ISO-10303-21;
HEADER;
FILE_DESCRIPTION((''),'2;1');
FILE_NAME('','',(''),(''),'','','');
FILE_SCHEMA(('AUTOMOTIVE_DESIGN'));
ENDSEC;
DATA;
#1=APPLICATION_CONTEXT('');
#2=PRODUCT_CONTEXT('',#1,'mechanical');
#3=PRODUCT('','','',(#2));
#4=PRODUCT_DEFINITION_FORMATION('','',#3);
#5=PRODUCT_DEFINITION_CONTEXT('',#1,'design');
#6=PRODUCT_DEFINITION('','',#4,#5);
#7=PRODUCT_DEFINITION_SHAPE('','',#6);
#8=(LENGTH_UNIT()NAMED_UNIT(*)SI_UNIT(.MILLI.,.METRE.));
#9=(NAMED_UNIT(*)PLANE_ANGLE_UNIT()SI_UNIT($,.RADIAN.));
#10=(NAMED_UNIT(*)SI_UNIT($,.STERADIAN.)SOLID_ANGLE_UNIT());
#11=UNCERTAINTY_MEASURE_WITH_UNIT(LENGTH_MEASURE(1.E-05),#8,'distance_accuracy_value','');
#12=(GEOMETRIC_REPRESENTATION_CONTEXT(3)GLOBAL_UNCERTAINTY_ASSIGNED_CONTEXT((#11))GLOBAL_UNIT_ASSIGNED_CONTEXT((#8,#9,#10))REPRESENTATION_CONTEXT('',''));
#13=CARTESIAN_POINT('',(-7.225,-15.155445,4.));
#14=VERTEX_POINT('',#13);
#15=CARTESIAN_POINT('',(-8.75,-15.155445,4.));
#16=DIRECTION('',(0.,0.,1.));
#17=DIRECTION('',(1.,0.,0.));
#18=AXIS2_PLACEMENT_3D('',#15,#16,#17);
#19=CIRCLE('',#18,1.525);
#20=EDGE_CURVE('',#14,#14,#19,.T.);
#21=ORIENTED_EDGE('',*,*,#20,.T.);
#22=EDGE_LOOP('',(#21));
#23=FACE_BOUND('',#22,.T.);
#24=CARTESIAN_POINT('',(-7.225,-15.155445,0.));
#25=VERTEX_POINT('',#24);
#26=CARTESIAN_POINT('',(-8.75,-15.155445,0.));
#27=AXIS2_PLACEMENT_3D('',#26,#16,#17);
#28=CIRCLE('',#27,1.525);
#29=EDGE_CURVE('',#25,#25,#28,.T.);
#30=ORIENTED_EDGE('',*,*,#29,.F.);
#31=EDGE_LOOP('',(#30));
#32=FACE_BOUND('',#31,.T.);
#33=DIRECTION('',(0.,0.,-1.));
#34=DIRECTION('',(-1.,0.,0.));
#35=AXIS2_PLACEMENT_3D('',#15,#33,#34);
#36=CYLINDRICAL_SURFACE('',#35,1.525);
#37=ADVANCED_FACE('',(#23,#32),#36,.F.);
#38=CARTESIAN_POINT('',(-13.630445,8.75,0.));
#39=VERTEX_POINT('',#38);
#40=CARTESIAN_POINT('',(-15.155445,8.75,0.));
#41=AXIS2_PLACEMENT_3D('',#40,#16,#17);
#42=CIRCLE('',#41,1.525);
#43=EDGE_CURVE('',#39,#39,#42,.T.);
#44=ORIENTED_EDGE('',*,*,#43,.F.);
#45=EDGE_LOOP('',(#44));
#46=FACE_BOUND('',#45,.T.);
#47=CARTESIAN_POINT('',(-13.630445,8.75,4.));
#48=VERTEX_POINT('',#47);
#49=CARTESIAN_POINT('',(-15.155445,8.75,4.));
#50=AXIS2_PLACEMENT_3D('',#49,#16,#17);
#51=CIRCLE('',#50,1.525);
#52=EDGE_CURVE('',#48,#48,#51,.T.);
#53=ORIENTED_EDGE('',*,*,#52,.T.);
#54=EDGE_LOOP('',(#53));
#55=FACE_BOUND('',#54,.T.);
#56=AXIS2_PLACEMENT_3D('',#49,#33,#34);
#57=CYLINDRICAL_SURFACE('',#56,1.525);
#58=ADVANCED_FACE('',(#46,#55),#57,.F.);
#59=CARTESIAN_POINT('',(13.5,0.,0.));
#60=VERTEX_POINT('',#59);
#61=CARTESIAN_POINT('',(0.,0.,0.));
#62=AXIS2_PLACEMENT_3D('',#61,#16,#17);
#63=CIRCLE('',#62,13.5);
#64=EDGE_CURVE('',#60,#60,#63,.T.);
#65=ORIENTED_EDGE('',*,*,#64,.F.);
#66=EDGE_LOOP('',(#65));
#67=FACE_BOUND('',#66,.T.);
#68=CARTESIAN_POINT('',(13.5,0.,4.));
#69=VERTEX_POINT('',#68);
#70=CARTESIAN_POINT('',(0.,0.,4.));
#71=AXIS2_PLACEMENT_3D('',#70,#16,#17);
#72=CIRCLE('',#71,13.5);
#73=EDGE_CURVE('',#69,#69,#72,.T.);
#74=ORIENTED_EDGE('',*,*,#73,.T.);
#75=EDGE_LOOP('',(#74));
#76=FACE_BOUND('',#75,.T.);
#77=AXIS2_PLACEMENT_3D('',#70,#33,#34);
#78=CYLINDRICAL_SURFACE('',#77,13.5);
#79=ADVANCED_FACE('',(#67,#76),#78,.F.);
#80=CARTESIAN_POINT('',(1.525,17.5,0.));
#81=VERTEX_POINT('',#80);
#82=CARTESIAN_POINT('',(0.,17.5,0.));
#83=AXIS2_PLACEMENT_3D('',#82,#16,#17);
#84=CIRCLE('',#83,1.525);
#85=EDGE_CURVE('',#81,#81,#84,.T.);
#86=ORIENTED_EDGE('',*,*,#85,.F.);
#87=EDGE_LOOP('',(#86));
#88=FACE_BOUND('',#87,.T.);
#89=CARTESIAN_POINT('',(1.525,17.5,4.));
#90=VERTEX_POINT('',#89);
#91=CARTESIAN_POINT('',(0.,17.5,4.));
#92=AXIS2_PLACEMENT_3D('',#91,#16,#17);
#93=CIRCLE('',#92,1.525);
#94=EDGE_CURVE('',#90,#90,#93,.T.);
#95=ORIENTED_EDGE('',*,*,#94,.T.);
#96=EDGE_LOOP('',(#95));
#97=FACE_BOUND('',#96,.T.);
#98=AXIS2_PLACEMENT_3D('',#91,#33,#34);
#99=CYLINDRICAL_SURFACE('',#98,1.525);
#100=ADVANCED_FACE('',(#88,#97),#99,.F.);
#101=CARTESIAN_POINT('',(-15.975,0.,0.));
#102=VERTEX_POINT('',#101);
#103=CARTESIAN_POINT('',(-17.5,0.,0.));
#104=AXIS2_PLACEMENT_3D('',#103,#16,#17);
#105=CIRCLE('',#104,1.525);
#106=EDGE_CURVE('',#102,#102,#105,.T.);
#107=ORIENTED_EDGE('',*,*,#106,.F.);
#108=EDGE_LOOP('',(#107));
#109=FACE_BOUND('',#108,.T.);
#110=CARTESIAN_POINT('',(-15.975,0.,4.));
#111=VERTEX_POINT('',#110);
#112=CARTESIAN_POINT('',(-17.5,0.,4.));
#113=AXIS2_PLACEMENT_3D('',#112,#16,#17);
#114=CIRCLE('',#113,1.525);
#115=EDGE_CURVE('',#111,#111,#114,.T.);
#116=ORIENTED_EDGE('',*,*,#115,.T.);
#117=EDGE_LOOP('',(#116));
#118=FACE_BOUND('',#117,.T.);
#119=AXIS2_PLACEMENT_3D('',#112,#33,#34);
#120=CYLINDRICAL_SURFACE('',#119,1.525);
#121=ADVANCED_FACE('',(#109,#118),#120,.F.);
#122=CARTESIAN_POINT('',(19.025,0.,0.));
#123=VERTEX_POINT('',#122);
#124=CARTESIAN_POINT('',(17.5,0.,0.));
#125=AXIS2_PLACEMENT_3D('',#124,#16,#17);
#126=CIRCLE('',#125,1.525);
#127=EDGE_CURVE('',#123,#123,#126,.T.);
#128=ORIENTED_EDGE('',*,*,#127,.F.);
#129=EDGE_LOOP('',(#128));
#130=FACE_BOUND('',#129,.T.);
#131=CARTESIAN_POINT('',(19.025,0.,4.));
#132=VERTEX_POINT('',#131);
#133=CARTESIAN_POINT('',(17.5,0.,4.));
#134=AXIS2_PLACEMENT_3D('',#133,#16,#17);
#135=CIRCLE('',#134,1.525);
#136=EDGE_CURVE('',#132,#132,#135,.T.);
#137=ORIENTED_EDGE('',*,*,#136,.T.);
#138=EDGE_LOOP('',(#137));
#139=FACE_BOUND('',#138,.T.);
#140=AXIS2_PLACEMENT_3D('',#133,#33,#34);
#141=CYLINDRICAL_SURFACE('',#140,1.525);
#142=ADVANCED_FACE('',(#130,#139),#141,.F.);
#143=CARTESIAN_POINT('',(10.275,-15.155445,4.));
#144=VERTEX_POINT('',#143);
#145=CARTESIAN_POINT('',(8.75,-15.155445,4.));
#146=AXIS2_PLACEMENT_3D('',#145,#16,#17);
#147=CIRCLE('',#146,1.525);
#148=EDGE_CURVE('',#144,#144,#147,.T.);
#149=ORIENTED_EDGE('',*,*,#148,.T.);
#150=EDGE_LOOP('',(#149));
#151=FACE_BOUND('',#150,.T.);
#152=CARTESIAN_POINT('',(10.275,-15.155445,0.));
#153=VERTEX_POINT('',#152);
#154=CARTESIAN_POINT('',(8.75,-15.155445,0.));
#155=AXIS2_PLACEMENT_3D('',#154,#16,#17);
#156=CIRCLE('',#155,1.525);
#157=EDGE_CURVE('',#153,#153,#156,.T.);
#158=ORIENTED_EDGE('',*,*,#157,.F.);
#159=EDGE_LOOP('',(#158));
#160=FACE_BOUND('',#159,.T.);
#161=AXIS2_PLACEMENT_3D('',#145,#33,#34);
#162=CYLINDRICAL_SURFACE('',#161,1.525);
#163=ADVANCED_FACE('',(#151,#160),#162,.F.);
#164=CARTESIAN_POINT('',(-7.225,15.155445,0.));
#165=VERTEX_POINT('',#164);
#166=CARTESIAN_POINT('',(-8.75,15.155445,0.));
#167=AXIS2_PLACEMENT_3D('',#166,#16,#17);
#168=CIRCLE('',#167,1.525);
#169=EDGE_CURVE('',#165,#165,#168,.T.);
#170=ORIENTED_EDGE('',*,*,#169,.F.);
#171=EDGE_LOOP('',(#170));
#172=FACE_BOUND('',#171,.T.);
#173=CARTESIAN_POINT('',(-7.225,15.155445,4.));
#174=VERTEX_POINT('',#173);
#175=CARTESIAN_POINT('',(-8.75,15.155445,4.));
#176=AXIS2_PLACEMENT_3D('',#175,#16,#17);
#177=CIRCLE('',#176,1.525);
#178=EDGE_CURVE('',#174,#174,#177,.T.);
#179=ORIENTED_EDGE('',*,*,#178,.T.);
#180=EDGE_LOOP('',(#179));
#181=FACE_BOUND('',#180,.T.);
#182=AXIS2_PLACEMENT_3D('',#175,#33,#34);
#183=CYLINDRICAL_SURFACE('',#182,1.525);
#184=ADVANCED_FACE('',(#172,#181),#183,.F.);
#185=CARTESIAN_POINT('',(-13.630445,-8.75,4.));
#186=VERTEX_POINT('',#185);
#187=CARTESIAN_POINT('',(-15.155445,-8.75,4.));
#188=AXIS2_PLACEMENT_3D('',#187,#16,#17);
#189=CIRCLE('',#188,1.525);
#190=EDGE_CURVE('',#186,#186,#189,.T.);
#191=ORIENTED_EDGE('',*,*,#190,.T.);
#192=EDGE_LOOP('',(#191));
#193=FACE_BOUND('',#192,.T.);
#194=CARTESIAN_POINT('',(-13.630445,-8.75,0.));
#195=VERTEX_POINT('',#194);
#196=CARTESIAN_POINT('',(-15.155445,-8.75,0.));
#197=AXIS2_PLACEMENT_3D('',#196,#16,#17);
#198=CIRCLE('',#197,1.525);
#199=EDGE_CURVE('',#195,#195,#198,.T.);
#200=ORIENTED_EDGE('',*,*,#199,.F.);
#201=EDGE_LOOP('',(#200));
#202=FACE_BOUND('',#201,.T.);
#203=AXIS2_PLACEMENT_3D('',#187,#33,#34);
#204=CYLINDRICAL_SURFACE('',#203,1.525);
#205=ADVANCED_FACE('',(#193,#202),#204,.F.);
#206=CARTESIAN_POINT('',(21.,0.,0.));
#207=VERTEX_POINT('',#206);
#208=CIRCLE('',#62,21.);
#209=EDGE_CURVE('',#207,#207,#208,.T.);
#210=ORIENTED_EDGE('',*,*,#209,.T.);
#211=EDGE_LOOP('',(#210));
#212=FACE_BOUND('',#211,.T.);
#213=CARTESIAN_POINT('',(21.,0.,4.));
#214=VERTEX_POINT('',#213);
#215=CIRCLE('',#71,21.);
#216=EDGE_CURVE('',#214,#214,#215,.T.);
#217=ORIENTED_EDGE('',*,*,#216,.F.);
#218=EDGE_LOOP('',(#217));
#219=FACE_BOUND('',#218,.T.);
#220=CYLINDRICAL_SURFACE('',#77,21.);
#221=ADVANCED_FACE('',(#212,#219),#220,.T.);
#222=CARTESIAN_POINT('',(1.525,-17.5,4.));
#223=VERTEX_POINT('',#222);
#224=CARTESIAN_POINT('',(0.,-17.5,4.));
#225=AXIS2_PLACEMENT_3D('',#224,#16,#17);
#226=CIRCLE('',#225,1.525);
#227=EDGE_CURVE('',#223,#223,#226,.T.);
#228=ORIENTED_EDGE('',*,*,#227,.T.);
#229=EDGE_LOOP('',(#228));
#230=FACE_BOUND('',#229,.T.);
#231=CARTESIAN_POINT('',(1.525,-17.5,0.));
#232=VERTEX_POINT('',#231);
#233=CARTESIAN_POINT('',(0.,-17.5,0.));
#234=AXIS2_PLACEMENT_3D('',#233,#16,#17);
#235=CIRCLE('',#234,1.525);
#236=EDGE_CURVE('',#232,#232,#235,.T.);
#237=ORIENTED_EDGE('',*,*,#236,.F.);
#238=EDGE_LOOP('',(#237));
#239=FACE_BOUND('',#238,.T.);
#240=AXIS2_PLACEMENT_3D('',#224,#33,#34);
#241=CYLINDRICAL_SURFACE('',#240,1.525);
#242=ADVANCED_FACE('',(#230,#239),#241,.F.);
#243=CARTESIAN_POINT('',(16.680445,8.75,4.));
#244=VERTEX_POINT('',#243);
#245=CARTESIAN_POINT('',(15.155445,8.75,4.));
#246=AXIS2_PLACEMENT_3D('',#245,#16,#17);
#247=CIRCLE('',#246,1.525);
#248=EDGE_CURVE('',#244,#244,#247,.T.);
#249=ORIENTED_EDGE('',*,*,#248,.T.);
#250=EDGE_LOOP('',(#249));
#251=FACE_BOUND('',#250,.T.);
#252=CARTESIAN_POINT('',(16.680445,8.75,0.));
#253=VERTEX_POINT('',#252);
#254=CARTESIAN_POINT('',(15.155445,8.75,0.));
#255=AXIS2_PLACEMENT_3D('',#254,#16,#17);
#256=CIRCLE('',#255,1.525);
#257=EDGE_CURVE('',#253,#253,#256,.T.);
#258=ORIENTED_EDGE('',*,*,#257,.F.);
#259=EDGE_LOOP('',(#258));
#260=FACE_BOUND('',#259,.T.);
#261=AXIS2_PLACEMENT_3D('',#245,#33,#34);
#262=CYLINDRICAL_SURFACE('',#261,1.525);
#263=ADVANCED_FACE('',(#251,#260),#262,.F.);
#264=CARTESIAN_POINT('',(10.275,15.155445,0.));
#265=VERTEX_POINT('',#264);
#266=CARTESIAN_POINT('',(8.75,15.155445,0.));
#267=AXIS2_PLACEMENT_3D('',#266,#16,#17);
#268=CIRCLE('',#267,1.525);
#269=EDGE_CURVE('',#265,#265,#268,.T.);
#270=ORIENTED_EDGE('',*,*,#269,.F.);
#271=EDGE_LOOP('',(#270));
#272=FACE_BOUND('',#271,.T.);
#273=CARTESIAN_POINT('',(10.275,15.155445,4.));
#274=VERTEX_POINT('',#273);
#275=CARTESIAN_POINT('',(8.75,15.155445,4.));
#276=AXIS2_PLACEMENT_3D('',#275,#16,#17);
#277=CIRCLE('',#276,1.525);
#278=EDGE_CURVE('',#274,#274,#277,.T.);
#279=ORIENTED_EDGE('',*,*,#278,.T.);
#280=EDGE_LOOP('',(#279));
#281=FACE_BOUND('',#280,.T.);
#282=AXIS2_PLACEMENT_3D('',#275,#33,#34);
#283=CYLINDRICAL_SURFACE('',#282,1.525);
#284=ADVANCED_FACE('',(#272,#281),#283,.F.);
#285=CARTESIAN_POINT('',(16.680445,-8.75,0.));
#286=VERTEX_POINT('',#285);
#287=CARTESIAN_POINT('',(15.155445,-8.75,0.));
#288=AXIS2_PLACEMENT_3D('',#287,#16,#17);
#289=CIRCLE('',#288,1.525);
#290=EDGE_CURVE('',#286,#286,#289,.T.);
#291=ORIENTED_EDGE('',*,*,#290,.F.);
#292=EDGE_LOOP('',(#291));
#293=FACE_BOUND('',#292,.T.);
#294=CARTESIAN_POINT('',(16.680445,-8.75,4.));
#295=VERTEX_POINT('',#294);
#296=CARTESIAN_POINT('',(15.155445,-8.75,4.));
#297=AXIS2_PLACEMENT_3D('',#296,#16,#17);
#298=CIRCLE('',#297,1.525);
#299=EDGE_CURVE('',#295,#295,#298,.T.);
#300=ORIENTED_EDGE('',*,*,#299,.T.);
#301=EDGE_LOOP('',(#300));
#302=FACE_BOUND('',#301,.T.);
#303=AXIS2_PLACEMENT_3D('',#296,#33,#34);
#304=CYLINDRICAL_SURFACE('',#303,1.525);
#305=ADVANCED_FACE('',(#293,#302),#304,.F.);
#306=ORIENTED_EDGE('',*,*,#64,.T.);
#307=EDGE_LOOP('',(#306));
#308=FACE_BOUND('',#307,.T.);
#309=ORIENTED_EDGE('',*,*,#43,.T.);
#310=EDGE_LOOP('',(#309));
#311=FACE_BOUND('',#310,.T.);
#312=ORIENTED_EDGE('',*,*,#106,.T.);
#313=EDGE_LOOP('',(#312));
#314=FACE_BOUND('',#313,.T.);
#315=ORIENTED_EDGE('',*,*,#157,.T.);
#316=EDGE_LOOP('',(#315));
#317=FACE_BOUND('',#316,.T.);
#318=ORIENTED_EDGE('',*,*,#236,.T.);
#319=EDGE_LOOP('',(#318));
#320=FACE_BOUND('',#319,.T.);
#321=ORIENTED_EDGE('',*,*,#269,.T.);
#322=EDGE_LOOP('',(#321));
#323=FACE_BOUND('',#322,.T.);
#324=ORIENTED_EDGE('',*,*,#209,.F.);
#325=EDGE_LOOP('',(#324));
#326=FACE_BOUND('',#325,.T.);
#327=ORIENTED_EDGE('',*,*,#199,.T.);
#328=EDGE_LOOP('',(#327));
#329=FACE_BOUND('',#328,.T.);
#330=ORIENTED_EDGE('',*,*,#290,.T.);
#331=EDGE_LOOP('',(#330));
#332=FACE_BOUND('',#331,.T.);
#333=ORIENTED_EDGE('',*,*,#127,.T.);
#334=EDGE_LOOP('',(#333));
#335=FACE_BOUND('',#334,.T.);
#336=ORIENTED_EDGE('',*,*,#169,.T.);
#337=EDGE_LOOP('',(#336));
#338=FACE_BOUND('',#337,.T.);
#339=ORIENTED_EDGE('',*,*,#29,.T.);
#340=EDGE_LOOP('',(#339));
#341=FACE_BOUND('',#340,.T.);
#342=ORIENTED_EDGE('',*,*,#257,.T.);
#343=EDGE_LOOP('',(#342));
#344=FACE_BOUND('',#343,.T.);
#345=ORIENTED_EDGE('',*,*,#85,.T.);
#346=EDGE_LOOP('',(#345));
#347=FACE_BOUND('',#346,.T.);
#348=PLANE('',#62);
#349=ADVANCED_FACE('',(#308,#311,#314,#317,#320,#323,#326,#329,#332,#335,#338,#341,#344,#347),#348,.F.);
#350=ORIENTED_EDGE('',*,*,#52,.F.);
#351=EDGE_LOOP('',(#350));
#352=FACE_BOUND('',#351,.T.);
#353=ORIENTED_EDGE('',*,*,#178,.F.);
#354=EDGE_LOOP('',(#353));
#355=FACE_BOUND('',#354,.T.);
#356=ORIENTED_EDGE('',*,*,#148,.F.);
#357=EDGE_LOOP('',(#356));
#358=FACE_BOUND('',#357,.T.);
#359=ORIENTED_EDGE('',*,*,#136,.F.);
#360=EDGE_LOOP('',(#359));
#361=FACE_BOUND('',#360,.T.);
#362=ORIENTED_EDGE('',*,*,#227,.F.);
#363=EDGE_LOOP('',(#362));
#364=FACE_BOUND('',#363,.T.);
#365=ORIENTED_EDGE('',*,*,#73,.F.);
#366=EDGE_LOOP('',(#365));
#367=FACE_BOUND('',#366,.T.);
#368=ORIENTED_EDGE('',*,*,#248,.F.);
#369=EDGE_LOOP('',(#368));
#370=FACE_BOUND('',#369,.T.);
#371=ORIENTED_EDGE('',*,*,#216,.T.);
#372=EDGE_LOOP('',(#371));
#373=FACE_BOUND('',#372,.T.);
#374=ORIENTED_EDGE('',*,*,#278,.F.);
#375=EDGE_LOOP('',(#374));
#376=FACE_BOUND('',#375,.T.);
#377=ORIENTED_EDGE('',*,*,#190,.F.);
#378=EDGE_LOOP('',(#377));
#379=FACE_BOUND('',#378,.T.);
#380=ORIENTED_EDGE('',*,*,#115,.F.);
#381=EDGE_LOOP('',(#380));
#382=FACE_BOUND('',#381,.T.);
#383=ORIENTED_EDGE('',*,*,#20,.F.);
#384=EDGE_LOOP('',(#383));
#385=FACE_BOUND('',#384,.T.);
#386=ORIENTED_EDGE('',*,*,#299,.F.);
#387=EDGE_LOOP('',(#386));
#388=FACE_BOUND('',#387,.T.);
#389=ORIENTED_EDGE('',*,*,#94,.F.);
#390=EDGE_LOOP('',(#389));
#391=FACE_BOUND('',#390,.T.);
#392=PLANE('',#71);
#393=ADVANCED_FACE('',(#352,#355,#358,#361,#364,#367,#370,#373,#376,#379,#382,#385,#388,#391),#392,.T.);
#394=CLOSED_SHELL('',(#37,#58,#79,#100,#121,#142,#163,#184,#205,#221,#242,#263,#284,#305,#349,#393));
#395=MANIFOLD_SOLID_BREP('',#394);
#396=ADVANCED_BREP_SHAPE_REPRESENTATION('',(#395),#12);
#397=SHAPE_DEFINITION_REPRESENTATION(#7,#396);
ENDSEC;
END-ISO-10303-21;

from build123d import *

# Parameters (mm, degrees)
SKETCH_1_R      = 21
SKETCH_1_R_2    = 13.5
SKETCH_1_R_3    = 1.525
EXTRUDE_1_DEPTH = 4


with BuildPart() as part:
    # 草图1 → 凸台-拉伸1 (new body)
    with BuildSketch(Plane.XY):
        Circle(SKETCH_1_R)
        Circle(SKETCH_1_R_2, mode=Mode.SUBTRACT)
        with Locations((0, 17.5)):
            Circle(SKETCH_1_R_3, mode=Mode.SUBTRACT)
        with Locations((17.5, 0)):
            Circle(SKETCH_1_R_3, mode=Mode.SUBTRACT)
        with Locations((0, -17.5)):
            Circle(SKETCH_1_R_3, mode=Mode.SUBTRACT)
        with Locations((-17.5, 0)):
            Circle(SKETCH_1_R_3, mode=Mode.SUBTRACT)
        with Locations((15.155444566, -8.75)):
            Circle(SKETCH_1_R_3, mode=Mode.SUBTRACT)
        with Locations((8.75, 15.155444566)):
            Circle(SKETCH_1_R_3, mode=Mode.SUBTRACT)
        with Locations((-15.155444566, 8.75)):
            Circle(SKETCH_1_R_3, mode=Mode.SUBTRACT)
        with Locations((-8.75, -15.155444566)):
            Circle(SKETCH_1_R_3, mode=Mode.SUBTRACT)
        with Locations((-15.155444566, -8.75)):
            Circle(SKETCH_1_R_3, mode=Mode.SUBTRACT)
        with Locations((8.75, -15.155444566)):
            Circle(SKETCH_1_R_3, mode=Mode.SUBTRACT)
        with Locations((15.155444566, 8.75)):
            Circle(SKETCH_1_R_3, mode=Mode.SUBTRACT)
        with Locations((-8.75, 15.155444566)):
            Circle(SKETCH_1_R_3, mode=Mode.SUBTRACT)
    extrude(amount=EXTRUDE_1_DEPTH)


solid = part.part
